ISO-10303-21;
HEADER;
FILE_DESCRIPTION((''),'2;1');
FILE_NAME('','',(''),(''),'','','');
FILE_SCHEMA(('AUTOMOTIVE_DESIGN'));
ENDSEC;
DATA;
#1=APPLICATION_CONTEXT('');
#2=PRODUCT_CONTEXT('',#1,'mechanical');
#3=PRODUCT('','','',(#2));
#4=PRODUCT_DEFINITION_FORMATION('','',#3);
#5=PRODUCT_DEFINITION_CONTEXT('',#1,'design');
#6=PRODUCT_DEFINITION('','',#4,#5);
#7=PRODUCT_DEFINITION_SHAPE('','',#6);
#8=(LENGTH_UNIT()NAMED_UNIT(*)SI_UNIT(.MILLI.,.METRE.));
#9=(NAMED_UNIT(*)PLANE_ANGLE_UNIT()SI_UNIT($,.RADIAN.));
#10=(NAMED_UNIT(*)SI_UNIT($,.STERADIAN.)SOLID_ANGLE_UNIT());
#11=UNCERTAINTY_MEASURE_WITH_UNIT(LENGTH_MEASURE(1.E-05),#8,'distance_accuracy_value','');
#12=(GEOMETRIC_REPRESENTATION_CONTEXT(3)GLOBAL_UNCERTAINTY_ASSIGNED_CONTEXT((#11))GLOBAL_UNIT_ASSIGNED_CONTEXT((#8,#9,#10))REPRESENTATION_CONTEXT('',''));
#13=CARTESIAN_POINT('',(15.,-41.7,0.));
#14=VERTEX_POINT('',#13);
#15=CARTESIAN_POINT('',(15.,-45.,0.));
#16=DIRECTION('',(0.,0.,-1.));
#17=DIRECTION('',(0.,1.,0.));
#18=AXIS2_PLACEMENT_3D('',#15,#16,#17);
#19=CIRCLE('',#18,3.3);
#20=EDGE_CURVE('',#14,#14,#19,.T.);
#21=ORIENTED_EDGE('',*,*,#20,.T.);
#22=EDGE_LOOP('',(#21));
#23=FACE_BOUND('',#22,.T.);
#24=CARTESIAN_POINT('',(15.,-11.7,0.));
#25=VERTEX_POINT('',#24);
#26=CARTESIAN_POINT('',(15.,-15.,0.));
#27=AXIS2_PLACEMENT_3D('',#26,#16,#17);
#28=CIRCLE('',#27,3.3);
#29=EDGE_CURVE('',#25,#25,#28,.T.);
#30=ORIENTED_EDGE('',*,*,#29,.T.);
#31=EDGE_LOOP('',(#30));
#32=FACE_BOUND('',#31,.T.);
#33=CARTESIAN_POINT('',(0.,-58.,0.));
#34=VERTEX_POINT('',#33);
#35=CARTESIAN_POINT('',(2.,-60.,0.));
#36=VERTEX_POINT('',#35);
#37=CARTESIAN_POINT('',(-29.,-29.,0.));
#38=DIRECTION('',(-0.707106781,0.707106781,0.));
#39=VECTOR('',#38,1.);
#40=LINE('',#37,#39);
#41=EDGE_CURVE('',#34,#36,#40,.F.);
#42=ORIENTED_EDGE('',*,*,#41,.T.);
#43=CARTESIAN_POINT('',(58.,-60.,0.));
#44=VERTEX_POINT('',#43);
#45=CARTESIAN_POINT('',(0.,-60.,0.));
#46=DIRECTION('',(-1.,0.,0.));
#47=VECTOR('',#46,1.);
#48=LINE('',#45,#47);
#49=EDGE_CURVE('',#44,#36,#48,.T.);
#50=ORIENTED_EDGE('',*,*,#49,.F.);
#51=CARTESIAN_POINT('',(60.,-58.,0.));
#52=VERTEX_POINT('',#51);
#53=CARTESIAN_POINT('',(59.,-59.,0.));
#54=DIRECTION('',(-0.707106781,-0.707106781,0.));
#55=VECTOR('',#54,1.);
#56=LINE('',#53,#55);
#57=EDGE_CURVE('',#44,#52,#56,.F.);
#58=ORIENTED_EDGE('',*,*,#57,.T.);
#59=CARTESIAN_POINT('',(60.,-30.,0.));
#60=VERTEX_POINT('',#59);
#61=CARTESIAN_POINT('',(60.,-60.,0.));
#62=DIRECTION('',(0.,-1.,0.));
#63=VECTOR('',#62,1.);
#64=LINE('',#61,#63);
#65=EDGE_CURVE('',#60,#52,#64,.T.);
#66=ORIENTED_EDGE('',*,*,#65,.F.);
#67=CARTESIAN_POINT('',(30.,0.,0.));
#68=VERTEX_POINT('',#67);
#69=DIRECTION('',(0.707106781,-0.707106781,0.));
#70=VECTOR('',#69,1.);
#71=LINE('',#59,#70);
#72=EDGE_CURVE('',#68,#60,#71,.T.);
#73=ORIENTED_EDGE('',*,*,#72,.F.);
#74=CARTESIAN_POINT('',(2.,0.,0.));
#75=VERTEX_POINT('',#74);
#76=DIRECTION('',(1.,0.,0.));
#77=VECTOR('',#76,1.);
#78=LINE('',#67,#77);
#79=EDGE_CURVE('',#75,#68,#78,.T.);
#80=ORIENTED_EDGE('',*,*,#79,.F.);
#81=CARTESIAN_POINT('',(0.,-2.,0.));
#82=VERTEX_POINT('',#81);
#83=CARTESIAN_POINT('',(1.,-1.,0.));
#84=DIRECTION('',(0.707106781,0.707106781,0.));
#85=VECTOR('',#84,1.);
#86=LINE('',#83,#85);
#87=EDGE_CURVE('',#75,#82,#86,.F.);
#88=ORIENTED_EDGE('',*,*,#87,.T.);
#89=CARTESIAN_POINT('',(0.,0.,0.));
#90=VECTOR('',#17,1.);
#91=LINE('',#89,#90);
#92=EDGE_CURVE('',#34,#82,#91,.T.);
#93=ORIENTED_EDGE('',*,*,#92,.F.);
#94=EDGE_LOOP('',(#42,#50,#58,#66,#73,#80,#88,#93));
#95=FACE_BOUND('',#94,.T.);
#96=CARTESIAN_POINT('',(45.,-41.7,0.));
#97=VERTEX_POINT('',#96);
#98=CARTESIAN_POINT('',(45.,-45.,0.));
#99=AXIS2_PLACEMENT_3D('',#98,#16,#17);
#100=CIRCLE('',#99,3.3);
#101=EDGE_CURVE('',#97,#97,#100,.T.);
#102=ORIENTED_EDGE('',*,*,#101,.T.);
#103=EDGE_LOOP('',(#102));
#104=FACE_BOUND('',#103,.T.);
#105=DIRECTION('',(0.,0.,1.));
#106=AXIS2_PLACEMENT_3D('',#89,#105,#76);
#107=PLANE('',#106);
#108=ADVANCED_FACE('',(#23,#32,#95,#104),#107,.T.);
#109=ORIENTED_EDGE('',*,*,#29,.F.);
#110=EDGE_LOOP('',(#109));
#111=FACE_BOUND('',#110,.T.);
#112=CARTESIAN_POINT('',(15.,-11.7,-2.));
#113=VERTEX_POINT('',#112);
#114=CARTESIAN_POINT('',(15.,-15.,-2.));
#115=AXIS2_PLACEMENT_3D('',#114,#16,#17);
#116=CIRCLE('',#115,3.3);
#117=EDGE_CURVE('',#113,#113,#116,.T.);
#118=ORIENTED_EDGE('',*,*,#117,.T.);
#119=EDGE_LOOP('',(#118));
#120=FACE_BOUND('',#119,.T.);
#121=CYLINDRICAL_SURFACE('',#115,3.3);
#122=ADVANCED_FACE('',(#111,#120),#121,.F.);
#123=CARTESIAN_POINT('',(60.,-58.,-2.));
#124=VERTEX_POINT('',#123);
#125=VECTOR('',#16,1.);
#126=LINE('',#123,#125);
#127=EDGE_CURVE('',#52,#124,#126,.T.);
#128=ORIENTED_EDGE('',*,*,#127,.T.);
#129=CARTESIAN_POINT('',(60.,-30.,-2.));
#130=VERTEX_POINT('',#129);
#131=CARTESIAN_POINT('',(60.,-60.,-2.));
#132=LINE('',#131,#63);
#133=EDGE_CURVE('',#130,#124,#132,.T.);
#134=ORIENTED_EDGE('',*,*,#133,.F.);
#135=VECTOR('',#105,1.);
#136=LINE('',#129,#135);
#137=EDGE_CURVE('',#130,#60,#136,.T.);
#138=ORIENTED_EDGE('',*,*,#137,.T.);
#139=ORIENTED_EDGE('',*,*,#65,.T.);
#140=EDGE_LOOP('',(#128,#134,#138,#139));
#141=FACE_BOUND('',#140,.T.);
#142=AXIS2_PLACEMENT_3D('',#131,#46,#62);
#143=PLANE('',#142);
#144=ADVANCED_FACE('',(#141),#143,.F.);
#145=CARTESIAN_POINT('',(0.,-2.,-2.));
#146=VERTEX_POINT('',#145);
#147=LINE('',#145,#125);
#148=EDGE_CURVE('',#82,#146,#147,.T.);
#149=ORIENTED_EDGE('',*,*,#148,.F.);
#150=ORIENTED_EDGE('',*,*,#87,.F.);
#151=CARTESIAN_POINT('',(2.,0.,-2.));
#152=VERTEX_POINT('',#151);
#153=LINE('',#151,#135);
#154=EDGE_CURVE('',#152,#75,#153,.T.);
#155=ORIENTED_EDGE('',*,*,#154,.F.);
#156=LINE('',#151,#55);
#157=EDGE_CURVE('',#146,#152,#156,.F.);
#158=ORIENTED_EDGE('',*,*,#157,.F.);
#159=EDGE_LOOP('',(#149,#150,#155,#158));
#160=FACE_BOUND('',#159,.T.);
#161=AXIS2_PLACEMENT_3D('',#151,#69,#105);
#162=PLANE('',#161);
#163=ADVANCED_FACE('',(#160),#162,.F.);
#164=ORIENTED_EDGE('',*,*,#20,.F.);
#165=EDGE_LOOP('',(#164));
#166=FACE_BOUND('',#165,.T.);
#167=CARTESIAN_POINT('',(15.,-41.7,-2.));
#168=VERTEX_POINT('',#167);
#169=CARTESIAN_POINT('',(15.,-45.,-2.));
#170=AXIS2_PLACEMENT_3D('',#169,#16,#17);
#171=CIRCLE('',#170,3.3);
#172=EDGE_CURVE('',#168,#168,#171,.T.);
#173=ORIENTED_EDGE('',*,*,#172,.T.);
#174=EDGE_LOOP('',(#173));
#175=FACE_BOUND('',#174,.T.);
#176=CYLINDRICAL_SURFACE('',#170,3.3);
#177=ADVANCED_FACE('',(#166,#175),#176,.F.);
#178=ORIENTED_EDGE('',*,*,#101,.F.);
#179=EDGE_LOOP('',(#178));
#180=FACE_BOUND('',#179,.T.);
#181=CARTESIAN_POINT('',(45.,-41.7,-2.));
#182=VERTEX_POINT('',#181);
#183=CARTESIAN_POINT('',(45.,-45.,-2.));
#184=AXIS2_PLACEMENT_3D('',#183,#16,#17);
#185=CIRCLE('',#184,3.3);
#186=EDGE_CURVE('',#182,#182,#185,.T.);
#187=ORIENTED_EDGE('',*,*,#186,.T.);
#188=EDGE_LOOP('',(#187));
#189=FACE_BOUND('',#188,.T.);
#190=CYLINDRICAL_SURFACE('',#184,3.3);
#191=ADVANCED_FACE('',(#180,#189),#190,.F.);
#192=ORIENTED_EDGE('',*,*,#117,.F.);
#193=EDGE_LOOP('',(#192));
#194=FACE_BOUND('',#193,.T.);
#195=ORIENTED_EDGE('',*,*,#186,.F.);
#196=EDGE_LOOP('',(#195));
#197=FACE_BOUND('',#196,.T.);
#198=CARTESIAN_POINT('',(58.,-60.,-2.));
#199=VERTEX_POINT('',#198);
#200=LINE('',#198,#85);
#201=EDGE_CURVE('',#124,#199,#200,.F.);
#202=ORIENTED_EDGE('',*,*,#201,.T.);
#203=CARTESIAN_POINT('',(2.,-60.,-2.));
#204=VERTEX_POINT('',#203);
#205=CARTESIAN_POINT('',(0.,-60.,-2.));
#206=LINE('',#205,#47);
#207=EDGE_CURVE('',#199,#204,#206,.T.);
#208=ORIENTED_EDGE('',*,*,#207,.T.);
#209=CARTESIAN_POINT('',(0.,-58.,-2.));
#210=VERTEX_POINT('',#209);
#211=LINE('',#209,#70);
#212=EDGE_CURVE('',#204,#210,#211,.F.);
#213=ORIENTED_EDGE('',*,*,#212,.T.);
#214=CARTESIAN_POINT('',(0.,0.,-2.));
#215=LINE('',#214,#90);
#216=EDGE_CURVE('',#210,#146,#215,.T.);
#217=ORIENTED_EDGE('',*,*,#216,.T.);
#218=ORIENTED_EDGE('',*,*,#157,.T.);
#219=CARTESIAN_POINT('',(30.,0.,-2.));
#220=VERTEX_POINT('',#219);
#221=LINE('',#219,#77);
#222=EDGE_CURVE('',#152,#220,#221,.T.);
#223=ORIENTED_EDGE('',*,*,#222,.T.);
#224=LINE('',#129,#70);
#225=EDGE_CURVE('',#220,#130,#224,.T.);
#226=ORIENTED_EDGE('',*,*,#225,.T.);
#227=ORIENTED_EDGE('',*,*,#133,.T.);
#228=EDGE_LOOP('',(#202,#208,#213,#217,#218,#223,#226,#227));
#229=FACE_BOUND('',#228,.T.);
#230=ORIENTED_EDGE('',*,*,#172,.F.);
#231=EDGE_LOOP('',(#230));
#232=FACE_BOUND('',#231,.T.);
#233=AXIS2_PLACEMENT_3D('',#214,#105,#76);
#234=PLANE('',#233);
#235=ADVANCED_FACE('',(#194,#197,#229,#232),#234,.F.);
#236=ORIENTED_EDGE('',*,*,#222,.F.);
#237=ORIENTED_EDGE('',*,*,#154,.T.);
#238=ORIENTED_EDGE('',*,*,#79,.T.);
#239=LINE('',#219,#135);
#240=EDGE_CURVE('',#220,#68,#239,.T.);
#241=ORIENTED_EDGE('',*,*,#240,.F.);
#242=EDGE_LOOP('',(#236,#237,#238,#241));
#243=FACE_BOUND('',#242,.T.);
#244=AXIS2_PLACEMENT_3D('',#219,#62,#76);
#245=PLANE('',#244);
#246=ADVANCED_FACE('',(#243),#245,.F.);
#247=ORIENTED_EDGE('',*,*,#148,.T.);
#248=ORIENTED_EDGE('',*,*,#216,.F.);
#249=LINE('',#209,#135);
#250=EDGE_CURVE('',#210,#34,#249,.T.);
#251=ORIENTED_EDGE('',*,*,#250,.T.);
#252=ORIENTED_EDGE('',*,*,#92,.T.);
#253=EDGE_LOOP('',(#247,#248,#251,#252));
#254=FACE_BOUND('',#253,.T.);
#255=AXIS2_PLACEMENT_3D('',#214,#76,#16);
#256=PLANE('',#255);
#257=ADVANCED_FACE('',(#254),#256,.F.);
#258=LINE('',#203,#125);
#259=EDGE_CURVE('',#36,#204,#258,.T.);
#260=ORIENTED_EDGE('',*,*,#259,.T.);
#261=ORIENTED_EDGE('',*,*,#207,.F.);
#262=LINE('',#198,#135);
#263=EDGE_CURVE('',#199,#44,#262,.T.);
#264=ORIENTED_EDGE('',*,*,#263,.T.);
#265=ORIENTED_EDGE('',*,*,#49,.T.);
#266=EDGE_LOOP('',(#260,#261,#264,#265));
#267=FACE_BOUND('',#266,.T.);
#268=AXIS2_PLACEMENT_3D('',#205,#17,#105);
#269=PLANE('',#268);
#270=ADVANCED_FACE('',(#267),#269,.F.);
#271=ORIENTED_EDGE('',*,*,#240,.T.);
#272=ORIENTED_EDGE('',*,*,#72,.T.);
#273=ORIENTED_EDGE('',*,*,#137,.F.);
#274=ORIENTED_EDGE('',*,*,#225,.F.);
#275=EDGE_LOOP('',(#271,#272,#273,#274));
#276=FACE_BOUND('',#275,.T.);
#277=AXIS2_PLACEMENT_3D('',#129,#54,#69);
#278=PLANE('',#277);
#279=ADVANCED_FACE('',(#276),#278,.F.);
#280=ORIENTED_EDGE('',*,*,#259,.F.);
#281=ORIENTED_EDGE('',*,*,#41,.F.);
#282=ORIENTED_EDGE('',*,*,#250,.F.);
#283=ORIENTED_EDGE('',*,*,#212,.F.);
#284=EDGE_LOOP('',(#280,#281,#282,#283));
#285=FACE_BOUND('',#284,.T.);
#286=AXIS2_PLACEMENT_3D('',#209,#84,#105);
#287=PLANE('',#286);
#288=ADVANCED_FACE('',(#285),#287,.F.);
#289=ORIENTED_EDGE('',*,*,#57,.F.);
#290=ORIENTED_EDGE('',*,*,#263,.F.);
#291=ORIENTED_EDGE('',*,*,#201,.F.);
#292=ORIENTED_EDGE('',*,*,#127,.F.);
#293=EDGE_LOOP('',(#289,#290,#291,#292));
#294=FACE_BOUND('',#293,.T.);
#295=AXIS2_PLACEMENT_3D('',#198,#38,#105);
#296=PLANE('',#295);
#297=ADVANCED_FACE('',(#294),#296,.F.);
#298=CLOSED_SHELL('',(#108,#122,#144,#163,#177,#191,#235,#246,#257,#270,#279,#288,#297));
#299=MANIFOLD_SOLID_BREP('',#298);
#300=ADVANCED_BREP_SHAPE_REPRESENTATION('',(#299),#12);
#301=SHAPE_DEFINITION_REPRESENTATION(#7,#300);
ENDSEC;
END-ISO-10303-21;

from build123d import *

# Parameters (mm, degrees)
EXTRUDE_1_DEPTH   = 2
HOLE_WIZARD_M61_D = 6.6
CHAMFER_1_SIZE    = 2


with BuildPart() as part:
    # Эскиз1 → Бобышка-Вытянуть1 (new body)
    with BuildSketch(Plane(origin=(0, 0, 0), x_dir=(1, 0, 0), z_dir=(0, 0, -1))):
        Polygon((0, 0), (0, 60), (60, 60), (60, 30), (30, 0), align=None)
    extrude(amount=EXTRUDE_1_DEPTH)

    # Отверстие с зазором M61 (through all)
    with Locations(Plane(origin=(0, 0, -2), x_dir=(1, 0, 0), z_dir=(0, 0, -1))):
        with Locations((15, 45), (15, 15), (45, 45)):
            Hole(HOLE_WIZARD_M61_D / 2)

    # Фаска1
    chamfer_1_edges = [part.edges().sort_by_distance(p)[0] for p in [
        (0, 0, -1),
        (0, -60, -1),
        (60, -60, -1),
    ]]
    chamfer(chamfer_1_edges, length=CHAMFER_1_SIZE)


solid = part.part
